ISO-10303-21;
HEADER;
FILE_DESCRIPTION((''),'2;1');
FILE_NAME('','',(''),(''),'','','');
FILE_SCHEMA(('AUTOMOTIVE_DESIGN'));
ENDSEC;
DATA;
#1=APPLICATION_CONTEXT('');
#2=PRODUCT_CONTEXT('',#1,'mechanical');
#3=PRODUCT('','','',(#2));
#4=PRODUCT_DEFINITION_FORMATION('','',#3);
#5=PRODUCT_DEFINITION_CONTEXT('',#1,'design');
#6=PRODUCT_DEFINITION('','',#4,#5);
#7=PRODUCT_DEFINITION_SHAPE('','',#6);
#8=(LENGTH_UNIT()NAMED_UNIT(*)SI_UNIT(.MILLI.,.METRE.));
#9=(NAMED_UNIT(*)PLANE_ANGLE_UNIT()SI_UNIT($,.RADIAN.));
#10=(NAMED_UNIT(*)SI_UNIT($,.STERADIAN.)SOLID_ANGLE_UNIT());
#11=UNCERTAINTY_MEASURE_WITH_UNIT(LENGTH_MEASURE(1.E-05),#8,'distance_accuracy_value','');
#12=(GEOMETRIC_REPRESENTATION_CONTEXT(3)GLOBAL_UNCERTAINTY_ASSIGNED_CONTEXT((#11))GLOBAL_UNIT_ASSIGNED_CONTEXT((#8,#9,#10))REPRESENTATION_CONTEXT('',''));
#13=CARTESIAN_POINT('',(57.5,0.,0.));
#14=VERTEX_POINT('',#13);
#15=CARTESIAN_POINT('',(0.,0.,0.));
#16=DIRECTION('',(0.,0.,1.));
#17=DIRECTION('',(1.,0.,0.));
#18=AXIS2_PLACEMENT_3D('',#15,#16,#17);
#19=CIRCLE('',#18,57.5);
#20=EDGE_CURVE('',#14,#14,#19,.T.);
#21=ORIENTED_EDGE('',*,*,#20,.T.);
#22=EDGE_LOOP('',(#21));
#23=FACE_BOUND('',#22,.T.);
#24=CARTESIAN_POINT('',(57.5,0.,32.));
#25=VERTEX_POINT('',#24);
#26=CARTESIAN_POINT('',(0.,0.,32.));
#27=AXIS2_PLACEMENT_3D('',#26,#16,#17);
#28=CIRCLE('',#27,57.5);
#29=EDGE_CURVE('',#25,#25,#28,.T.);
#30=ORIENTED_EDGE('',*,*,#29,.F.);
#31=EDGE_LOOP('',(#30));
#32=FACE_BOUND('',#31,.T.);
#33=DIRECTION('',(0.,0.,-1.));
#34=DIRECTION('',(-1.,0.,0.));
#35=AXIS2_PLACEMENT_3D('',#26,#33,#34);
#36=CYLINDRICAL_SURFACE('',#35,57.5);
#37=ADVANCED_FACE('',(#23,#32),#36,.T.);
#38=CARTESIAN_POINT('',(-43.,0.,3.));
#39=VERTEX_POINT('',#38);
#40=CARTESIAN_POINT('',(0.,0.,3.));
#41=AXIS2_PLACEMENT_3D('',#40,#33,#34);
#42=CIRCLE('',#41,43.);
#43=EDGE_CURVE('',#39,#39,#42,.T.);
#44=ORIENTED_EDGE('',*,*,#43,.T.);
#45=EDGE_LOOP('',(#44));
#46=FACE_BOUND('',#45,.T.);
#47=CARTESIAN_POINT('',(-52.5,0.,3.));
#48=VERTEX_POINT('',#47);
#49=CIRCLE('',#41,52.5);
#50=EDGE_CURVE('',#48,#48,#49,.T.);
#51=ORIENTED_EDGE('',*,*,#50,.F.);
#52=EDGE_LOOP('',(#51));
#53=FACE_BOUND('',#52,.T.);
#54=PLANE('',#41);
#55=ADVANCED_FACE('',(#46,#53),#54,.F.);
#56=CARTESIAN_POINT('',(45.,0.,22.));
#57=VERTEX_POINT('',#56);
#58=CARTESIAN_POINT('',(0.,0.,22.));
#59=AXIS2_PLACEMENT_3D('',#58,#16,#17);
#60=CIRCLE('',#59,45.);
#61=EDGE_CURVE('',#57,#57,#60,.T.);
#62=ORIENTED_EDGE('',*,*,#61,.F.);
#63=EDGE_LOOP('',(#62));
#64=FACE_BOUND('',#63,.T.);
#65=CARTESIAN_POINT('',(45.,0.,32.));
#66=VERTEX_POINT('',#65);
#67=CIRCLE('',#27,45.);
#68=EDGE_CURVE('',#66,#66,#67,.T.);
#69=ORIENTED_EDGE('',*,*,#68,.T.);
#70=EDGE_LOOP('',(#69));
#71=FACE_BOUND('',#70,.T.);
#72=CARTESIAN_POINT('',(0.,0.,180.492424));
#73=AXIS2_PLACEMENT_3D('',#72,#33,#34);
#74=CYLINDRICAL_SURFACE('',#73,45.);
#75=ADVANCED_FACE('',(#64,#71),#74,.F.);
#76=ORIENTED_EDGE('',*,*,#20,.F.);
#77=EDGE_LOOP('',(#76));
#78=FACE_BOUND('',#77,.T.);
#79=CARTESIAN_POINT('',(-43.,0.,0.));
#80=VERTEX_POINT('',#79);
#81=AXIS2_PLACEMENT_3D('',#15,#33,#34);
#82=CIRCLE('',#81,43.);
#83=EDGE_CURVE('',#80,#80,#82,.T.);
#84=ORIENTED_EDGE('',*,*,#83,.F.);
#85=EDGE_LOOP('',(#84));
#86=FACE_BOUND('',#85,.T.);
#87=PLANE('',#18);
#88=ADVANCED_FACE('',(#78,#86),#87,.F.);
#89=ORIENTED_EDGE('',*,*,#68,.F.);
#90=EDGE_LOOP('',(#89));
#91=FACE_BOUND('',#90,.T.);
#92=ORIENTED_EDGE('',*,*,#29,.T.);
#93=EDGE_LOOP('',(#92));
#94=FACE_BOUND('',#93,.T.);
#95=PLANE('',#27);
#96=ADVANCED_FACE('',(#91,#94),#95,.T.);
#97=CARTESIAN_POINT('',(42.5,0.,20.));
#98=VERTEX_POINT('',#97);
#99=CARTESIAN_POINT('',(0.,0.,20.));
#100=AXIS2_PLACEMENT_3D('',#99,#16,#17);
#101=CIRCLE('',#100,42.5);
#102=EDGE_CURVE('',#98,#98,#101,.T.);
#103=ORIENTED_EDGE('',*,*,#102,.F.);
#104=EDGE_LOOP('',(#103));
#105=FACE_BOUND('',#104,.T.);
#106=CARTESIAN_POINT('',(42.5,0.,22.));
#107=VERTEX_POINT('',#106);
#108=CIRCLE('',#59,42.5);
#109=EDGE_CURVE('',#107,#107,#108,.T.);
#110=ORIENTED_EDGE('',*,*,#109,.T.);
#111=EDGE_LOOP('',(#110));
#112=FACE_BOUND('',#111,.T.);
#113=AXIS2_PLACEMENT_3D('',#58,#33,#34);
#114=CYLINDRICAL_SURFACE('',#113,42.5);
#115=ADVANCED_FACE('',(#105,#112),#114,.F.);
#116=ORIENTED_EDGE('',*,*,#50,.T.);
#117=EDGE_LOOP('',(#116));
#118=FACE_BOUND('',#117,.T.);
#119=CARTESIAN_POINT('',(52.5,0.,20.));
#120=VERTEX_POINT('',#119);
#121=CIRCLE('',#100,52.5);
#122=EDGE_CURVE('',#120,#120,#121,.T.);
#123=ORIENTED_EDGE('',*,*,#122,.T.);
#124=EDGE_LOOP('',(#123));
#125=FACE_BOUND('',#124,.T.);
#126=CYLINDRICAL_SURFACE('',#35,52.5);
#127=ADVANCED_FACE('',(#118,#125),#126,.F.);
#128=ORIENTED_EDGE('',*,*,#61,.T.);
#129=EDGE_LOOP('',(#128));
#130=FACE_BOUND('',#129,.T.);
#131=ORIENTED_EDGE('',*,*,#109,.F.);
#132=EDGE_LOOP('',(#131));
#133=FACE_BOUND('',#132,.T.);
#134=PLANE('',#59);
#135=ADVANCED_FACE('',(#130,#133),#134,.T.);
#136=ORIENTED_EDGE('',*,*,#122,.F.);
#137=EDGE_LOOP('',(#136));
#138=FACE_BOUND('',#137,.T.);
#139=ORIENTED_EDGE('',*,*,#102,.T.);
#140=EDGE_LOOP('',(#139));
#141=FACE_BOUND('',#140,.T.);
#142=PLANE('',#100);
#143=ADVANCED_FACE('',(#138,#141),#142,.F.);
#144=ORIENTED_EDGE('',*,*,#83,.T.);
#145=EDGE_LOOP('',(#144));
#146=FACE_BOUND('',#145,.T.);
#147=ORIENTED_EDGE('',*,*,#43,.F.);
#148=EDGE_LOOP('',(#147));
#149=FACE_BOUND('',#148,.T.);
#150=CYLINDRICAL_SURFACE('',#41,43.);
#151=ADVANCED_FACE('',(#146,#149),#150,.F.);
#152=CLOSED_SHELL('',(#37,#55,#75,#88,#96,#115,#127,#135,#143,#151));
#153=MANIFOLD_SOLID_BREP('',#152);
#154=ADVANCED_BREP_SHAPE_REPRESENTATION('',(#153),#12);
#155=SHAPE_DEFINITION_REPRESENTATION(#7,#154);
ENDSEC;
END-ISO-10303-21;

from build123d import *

# Parameters (mm, degrees)
SKETCH1_R           = 57.5
SKETCH1_R_2         = 52.5
BOSS_EXTRUDE1_DEPTH = 32
SKETCH3_R           = 52.5
SKETCH3_R_2         = 45
SKETCH3_R_3         = 35
BOSS_EXTRUDE3_DEPTH = 12
SKETCH7_R           = 45
SKETCH7_R_2         = 42.5
BOSS_EXTRUDE4_DEPTH = 2
SKETCH10_R          = 52.5
SKETCH10_R_2        = 43
BOSS_EXTRUDE5_DEPTH = 3


with BuildPart() as part:
    # Sketch1 → Boss-Extrude1 (new body)
    with BuildSketch(Plane.XY):
        Circle(SKETCH1_R)
        Circle(SKETCH1_R_2, mode=Mode.SUBTRACT)
    extrude(amount=BOSS_EXTRUDE1_DEPTH)

    # Sketch3 → Boss-Extrude3 (add)
    # profile 1 of 2: a face of its own
    with BuildSketch(Plane.XY.offset(20)):
        Circle(SKETCH3_R)
        Circle(SKETCH3_R_2, mode=Mode.SUBTRACT)
    # profile 2 of 2: a face of its own
    with BuildSketch(Plane.XY.offset(20)):
        Circle(SKETCH3_R_3)
    extrude(amount=BOSS_EXTRUDE3_DEPTH)


with BuildPart() as boss_extrude3_kept_piece:
    # of the separate pieces the step leaves, the one the design keeps (boss_extrude3_pieces_kept)
    add(part.part.solids().sort_by_distance((57.5, 0, 0))[0])

    # Sketch7 → Boss-Extrude4 (add)
    with BuildSketch(Plane.XY.offset(20)):
        Circle(SKETCH7_R)
        Circle(SKETCH7_R_2, mode=Mode.SUBTRACT)
    extrude(amount=BOSS_EXTRUDE4_DEPTH)

    # Sketch10 → Boss-Extrude5 (add)
    with BuildSketch(Plane(origin=(0, 0, 0), x_dir=(-1, 0, 0), z_dir=(0, 0, -1))):
        Circle(SKETCH10_R)
        Circle(SKETCH10_R_2, mode=Mode.SUBTRACT)
    extrude(amount=-BOSS_EXTRUDE5_DEPTH)


solid = boss_extrude3_kept_piece.part
